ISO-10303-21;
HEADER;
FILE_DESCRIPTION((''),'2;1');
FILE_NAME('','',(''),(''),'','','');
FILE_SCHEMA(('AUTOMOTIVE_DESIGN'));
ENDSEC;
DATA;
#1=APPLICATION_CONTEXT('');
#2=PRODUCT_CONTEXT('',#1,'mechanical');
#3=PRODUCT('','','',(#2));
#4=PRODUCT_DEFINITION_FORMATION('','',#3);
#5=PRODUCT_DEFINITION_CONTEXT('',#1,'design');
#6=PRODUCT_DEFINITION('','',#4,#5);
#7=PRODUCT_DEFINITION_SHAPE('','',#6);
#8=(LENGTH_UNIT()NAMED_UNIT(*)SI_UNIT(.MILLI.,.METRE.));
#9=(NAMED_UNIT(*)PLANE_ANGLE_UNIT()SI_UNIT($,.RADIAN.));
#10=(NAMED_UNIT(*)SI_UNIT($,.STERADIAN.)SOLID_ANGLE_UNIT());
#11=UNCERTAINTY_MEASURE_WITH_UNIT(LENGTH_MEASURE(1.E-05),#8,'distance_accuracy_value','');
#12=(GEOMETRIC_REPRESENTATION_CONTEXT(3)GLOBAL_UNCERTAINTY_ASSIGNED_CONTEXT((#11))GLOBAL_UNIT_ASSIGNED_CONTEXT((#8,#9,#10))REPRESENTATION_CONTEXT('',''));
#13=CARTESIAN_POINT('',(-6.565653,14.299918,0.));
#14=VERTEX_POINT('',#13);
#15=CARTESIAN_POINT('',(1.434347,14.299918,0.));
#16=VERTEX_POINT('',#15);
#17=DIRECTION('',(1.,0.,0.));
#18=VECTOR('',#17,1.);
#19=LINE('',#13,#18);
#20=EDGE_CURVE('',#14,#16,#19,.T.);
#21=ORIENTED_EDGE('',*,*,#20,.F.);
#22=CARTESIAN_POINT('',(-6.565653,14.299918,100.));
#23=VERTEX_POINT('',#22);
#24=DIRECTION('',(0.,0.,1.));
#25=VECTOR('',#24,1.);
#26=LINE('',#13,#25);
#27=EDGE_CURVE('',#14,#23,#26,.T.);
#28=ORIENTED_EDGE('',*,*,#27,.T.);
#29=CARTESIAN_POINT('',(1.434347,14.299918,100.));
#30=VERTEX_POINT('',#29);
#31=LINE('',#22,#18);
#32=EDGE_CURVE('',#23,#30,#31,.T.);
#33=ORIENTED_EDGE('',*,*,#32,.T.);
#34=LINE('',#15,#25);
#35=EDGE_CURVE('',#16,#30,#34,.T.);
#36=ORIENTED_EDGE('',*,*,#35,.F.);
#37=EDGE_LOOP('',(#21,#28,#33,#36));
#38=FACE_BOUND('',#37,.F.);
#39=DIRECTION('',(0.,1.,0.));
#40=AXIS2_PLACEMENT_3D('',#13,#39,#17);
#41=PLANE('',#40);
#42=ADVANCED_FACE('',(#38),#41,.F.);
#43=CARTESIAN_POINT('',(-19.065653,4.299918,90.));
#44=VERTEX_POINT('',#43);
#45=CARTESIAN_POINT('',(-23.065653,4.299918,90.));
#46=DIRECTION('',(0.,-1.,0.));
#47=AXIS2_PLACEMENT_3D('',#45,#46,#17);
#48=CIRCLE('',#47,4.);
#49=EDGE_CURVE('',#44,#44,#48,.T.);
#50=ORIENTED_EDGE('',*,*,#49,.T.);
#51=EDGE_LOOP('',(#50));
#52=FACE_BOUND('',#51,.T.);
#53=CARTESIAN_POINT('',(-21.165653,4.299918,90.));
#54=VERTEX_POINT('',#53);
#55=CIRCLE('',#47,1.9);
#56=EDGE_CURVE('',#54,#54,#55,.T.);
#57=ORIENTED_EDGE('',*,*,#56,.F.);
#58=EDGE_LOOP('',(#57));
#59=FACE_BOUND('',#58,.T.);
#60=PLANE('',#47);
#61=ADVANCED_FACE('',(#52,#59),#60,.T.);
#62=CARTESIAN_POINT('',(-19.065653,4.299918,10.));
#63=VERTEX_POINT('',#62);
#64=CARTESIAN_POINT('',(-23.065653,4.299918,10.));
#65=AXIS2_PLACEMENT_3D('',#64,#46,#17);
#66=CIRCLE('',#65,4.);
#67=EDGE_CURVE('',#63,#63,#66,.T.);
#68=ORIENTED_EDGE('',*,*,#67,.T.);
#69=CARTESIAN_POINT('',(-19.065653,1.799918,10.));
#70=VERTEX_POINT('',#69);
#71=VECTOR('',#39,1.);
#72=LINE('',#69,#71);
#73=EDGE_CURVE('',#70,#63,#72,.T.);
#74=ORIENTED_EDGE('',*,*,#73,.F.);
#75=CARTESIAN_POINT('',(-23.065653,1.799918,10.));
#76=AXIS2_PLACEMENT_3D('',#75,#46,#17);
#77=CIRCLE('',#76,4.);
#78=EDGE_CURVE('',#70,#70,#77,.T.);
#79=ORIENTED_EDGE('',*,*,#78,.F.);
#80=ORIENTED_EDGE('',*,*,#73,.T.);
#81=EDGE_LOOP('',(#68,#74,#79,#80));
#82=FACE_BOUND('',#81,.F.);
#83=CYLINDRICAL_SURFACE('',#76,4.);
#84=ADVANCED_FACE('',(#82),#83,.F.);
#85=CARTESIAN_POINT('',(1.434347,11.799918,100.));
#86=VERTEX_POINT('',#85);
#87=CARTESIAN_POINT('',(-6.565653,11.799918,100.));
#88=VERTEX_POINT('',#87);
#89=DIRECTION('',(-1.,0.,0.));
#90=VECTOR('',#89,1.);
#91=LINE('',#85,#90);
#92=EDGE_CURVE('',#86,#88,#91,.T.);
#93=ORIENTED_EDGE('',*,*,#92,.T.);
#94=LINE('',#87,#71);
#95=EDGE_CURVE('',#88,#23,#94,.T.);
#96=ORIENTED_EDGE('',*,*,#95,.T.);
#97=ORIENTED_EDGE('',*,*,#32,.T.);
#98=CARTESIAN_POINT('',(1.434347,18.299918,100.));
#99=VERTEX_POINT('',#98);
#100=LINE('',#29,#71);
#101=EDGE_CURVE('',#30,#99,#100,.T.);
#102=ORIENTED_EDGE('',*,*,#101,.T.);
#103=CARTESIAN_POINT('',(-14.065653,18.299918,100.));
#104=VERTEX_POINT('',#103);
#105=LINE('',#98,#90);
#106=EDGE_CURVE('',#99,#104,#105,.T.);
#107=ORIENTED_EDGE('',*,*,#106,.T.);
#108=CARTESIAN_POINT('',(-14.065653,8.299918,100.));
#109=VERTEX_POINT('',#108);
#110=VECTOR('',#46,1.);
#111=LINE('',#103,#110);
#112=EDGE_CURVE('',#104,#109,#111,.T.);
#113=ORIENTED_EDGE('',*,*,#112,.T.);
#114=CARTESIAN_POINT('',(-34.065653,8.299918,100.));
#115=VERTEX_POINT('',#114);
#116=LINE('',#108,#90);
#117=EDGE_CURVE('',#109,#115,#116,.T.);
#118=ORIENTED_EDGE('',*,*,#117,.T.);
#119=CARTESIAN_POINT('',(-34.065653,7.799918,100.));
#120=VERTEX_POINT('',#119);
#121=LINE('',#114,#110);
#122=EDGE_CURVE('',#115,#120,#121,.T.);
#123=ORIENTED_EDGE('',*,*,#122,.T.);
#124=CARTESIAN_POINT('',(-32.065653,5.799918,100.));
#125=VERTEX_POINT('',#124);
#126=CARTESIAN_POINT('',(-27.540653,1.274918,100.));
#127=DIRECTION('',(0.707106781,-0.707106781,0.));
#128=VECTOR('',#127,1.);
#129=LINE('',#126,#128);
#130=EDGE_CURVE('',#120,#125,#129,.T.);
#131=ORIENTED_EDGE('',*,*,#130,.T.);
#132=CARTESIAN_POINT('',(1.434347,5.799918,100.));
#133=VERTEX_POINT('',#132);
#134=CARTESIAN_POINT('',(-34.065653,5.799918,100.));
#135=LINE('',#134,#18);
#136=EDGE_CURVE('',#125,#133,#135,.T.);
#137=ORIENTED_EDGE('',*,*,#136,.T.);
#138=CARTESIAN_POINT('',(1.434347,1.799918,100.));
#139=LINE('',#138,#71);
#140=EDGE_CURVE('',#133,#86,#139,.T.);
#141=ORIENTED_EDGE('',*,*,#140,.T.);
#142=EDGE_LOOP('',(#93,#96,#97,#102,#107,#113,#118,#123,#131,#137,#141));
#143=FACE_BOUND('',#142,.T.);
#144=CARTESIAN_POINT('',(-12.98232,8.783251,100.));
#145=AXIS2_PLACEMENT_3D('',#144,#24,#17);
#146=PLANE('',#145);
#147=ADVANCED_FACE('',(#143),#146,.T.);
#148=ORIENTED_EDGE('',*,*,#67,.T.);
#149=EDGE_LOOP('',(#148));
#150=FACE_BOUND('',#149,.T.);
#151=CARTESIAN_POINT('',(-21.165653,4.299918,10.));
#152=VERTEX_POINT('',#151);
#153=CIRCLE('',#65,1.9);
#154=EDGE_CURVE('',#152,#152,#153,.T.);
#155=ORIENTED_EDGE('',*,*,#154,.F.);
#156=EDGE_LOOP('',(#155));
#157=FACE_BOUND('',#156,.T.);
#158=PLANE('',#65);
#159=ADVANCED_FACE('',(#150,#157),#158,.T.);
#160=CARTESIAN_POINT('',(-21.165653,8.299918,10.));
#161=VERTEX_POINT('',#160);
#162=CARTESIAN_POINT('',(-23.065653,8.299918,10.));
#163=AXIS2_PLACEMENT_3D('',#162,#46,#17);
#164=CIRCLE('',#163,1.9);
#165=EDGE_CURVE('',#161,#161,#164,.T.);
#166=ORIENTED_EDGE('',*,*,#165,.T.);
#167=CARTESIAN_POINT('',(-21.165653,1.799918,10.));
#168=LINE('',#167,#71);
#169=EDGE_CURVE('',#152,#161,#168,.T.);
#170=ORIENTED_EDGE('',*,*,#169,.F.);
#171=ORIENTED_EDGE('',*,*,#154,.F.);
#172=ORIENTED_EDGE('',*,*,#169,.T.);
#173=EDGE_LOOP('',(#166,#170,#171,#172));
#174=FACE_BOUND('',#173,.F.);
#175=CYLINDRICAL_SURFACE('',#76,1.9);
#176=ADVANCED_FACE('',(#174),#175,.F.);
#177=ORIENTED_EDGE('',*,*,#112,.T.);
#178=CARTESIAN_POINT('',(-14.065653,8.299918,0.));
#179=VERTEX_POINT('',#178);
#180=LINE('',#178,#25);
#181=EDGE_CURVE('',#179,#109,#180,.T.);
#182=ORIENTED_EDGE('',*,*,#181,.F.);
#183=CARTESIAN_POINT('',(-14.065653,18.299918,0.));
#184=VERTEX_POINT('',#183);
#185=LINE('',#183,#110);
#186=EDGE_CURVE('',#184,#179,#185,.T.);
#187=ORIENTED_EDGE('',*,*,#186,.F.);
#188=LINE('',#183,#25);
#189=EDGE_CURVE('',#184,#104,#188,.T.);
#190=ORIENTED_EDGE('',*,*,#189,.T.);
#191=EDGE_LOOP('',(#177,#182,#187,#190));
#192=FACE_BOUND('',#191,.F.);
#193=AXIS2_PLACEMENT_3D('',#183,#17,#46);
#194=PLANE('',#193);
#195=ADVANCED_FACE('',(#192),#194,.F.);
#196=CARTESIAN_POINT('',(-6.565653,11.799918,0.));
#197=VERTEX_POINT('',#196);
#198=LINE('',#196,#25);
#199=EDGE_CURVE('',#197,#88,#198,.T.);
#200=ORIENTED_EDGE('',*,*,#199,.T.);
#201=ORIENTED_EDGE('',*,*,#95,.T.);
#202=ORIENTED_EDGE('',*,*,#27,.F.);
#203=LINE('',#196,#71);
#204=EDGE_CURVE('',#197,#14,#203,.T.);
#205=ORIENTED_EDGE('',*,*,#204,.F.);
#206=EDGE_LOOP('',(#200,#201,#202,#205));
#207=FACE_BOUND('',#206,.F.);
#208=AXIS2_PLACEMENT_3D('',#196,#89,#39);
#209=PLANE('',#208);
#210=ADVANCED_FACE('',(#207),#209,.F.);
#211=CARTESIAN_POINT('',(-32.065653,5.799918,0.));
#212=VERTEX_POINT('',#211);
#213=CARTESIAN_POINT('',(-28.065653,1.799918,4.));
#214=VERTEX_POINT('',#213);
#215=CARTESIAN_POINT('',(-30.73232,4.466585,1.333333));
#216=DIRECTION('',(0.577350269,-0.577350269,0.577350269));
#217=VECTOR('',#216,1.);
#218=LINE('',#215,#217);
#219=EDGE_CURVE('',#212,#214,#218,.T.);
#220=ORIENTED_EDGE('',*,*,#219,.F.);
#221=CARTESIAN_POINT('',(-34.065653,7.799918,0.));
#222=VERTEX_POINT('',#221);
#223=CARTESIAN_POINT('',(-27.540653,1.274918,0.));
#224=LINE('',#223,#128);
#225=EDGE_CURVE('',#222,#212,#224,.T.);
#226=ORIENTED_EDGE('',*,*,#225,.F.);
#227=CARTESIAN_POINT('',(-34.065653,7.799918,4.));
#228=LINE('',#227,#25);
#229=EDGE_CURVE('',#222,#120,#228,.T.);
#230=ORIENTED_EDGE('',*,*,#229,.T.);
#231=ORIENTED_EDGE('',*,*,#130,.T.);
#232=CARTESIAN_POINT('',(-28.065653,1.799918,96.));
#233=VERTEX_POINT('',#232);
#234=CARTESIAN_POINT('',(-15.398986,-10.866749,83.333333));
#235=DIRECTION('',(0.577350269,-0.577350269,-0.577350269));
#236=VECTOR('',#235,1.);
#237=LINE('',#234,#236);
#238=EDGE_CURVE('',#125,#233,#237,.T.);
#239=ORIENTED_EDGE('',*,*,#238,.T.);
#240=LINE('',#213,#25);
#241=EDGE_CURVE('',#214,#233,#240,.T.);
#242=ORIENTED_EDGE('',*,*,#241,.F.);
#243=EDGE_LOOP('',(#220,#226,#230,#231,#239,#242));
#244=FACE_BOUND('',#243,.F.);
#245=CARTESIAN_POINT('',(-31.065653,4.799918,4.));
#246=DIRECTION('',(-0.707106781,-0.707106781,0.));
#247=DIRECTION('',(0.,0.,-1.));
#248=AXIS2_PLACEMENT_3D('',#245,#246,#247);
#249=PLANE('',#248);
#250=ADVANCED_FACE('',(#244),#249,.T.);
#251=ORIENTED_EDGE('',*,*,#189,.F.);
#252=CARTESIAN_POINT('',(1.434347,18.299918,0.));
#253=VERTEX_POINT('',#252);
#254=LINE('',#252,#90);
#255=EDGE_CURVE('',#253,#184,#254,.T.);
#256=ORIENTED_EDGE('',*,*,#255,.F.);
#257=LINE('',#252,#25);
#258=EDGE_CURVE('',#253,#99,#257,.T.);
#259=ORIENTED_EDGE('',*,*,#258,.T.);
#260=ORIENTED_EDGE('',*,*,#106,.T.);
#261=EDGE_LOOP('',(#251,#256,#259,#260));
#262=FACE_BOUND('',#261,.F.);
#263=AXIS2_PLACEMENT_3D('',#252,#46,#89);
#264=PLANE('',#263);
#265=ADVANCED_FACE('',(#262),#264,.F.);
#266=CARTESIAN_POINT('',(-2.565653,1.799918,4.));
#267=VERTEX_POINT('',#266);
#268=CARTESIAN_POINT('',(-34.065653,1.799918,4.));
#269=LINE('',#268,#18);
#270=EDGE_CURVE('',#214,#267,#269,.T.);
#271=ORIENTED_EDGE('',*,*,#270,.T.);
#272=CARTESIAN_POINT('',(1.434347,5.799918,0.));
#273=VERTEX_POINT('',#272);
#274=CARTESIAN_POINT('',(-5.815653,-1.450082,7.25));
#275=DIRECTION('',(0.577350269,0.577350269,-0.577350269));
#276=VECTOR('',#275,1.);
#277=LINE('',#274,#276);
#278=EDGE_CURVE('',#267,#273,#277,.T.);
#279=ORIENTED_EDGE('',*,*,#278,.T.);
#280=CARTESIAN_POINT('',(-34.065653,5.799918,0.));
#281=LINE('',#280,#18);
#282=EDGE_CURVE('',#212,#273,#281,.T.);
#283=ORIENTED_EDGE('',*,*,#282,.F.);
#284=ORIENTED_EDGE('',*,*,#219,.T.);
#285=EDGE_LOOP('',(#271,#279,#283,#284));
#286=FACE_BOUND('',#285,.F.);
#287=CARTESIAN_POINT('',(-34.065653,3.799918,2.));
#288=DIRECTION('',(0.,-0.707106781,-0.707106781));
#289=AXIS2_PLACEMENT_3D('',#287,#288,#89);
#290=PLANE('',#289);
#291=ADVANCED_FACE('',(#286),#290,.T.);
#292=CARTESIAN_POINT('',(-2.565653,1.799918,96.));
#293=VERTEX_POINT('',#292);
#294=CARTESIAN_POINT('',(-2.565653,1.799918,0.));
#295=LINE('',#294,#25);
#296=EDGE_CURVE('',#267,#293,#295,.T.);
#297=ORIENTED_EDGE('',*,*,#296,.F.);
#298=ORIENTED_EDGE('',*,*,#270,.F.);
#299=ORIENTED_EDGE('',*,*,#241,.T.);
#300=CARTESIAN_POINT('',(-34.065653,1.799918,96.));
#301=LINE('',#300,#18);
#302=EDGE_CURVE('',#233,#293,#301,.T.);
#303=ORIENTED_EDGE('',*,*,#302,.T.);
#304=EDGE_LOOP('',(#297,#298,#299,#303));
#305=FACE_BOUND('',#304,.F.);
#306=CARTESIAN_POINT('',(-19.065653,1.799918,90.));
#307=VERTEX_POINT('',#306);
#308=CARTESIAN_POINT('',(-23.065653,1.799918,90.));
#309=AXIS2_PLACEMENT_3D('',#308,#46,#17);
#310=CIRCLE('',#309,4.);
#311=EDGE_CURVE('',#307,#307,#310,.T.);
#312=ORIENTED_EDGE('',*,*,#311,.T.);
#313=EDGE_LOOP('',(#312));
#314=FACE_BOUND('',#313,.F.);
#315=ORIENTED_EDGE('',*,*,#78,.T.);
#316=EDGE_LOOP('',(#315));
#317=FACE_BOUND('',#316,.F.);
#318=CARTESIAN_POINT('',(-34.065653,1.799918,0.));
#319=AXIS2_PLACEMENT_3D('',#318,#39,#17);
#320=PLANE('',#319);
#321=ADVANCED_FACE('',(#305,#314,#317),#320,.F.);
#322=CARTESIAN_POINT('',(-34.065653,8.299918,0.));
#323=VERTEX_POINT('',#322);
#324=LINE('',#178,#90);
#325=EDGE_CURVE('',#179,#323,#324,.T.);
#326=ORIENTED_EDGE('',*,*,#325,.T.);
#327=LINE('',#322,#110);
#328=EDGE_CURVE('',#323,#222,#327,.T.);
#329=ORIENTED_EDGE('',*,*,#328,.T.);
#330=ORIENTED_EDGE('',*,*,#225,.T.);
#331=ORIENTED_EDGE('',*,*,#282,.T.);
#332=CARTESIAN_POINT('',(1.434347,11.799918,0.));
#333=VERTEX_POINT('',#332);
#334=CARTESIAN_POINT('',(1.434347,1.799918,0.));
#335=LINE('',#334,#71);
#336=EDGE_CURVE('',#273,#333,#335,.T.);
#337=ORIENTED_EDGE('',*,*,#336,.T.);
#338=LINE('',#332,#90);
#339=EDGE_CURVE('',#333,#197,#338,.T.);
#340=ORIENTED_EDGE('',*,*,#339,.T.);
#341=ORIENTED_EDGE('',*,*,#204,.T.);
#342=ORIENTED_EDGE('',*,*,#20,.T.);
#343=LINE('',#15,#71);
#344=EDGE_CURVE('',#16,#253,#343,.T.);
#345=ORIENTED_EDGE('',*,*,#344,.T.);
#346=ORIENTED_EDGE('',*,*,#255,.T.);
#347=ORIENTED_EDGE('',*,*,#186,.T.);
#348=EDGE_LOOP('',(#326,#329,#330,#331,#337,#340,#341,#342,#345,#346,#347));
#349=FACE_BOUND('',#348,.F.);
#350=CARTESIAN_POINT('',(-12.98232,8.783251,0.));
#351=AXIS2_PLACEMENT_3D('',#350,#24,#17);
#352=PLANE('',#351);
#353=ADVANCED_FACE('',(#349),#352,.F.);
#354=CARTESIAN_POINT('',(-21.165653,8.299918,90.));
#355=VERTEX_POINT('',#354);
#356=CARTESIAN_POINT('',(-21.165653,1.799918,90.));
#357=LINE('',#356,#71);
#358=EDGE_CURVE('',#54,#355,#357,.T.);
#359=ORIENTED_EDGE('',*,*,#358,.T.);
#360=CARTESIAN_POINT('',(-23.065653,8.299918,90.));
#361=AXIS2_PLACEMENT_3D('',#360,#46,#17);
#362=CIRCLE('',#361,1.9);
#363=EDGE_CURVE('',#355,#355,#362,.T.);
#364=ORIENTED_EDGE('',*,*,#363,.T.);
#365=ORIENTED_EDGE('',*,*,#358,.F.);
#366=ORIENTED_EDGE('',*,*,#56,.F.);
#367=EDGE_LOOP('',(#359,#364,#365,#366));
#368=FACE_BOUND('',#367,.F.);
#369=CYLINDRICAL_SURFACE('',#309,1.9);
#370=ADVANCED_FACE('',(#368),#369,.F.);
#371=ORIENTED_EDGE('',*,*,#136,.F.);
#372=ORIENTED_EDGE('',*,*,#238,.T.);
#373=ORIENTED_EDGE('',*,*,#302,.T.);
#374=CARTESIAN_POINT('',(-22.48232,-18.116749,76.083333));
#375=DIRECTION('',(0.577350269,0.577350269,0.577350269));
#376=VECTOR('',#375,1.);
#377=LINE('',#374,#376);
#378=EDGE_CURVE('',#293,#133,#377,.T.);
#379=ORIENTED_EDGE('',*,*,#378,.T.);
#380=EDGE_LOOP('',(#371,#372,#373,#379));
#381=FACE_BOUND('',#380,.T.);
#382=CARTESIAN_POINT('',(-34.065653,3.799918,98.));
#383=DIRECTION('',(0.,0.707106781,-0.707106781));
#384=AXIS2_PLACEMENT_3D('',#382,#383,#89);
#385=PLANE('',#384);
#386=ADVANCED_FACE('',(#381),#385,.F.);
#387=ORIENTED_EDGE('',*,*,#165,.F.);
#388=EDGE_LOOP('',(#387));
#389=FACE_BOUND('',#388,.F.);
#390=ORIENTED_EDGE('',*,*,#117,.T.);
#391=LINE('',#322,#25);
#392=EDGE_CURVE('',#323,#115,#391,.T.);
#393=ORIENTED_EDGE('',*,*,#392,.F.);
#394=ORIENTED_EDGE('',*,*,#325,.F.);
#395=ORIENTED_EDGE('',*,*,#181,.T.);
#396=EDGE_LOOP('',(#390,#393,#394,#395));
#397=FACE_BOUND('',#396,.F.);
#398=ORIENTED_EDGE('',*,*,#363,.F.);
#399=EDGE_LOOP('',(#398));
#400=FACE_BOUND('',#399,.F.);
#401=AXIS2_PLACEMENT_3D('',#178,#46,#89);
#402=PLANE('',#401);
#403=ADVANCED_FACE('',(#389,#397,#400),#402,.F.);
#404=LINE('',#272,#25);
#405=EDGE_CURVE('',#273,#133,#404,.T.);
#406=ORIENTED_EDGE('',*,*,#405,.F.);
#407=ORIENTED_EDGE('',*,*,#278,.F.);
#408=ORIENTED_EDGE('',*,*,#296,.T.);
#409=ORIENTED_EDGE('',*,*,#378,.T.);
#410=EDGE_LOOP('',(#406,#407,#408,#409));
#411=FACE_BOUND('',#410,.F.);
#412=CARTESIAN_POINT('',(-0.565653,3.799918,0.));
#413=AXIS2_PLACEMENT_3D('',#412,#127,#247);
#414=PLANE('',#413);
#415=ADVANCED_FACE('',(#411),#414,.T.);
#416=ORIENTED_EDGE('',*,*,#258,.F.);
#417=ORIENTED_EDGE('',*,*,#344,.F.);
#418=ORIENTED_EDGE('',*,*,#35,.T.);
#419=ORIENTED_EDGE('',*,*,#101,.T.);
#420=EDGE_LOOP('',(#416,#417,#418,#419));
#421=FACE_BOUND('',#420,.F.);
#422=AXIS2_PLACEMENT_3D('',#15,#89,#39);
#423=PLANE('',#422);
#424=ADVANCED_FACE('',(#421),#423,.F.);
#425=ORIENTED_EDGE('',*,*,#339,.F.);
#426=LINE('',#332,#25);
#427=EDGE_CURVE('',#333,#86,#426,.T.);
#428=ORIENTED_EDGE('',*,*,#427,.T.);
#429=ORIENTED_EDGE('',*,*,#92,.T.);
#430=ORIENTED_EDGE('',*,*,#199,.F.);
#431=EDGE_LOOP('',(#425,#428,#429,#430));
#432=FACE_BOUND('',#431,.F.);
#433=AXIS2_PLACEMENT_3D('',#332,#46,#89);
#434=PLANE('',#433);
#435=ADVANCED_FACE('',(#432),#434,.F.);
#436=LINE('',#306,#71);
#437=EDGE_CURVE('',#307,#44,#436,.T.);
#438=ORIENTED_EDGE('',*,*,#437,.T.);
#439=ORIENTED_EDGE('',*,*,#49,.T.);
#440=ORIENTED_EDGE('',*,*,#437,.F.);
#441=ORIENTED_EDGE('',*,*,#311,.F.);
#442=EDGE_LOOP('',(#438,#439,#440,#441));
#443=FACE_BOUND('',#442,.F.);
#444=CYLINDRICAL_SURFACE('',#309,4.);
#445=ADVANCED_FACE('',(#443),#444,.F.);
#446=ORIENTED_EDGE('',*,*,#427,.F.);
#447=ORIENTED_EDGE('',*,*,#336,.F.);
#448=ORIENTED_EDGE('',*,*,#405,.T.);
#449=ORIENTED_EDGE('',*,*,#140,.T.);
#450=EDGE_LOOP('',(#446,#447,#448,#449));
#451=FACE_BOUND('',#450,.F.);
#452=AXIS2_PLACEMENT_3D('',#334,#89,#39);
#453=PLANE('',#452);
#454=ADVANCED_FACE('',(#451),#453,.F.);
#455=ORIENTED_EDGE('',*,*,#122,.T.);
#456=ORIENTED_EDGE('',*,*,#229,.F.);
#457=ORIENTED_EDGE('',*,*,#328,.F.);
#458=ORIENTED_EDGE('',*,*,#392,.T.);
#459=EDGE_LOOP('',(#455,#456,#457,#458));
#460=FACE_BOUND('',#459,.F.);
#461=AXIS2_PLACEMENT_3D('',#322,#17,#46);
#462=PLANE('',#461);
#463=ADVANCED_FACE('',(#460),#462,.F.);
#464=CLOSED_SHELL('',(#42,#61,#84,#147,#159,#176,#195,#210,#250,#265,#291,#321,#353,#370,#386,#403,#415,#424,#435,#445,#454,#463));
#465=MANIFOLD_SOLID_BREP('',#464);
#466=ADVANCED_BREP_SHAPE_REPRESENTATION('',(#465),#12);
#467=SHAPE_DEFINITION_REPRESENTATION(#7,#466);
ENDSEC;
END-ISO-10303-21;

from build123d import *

# Parameters (mm, degrees)
F1_DEPTH = 100
F2_SIZE  = 4
F3_SIZE  = 6
F4_R     = 1.9
F5_DEPTH = 8
F6_R     = 4
F7_DEPTH = 2.5


with BuildPart() as f1:
    # F0 (on Top) → F1 (new body)
    with BuildSketch(Plane.XY):
        Polygon((-14.065653, 8.299918), (-34.065653, 8.299918), (-34.065653, 1.799918), (1.434347, 1.799918), (1.434347, 11.799918), (-6.565653, 11.799918), (-6.565653, 14.299918), (1.434347, 14.299918), (1.434347, 18.299918), (-14.065653, 18.299918), align=None)
    extrude(amount=F1_DEPTH)

    # F2
    f2_edges = [f1.edges().sort_by_distance(p)[0] for p in [
        (-16.315653, 1.799918, 100),
        (-16.315653, 1.799918, 0),
        (1.434347, 1.799918, 50),
    ]]
    chamfer(f2_edges, length=F2_SIZE)

    # F3
    f3_edges = [f1.edges().sort_by_distance(p)[0] for p in [
        (-34.065653, 1.799918, 50),
    ]]
    chamfer(f3_edges, length=F3_SIZE)

    # F4 (on face) → F5 (cut)
    with BuildSketch(Plane.XZ.offset(-1.799918)):
        with Locations((-23.065653, 90)):
            Circle(F4_R)
        with Locations((-23.065653, 10)):
            Circle(F4_R)
    extrude(amount=-F5_DEPTH, mode=Mode.SUBTRACT)

    # F6 (on face) → F7 (cut)
    with BuildSketch(Plane.XZ.offset(-1.799918)):
        with Locations((-23.065653, 90)):
            Circle(F6_R)
        with Locations((-23.065653, 10)):
            Circle(F6_R)
    extrude(amount=-F7_DEPTH, mode=Mode.SUBTRACT)


solid = f1.part
